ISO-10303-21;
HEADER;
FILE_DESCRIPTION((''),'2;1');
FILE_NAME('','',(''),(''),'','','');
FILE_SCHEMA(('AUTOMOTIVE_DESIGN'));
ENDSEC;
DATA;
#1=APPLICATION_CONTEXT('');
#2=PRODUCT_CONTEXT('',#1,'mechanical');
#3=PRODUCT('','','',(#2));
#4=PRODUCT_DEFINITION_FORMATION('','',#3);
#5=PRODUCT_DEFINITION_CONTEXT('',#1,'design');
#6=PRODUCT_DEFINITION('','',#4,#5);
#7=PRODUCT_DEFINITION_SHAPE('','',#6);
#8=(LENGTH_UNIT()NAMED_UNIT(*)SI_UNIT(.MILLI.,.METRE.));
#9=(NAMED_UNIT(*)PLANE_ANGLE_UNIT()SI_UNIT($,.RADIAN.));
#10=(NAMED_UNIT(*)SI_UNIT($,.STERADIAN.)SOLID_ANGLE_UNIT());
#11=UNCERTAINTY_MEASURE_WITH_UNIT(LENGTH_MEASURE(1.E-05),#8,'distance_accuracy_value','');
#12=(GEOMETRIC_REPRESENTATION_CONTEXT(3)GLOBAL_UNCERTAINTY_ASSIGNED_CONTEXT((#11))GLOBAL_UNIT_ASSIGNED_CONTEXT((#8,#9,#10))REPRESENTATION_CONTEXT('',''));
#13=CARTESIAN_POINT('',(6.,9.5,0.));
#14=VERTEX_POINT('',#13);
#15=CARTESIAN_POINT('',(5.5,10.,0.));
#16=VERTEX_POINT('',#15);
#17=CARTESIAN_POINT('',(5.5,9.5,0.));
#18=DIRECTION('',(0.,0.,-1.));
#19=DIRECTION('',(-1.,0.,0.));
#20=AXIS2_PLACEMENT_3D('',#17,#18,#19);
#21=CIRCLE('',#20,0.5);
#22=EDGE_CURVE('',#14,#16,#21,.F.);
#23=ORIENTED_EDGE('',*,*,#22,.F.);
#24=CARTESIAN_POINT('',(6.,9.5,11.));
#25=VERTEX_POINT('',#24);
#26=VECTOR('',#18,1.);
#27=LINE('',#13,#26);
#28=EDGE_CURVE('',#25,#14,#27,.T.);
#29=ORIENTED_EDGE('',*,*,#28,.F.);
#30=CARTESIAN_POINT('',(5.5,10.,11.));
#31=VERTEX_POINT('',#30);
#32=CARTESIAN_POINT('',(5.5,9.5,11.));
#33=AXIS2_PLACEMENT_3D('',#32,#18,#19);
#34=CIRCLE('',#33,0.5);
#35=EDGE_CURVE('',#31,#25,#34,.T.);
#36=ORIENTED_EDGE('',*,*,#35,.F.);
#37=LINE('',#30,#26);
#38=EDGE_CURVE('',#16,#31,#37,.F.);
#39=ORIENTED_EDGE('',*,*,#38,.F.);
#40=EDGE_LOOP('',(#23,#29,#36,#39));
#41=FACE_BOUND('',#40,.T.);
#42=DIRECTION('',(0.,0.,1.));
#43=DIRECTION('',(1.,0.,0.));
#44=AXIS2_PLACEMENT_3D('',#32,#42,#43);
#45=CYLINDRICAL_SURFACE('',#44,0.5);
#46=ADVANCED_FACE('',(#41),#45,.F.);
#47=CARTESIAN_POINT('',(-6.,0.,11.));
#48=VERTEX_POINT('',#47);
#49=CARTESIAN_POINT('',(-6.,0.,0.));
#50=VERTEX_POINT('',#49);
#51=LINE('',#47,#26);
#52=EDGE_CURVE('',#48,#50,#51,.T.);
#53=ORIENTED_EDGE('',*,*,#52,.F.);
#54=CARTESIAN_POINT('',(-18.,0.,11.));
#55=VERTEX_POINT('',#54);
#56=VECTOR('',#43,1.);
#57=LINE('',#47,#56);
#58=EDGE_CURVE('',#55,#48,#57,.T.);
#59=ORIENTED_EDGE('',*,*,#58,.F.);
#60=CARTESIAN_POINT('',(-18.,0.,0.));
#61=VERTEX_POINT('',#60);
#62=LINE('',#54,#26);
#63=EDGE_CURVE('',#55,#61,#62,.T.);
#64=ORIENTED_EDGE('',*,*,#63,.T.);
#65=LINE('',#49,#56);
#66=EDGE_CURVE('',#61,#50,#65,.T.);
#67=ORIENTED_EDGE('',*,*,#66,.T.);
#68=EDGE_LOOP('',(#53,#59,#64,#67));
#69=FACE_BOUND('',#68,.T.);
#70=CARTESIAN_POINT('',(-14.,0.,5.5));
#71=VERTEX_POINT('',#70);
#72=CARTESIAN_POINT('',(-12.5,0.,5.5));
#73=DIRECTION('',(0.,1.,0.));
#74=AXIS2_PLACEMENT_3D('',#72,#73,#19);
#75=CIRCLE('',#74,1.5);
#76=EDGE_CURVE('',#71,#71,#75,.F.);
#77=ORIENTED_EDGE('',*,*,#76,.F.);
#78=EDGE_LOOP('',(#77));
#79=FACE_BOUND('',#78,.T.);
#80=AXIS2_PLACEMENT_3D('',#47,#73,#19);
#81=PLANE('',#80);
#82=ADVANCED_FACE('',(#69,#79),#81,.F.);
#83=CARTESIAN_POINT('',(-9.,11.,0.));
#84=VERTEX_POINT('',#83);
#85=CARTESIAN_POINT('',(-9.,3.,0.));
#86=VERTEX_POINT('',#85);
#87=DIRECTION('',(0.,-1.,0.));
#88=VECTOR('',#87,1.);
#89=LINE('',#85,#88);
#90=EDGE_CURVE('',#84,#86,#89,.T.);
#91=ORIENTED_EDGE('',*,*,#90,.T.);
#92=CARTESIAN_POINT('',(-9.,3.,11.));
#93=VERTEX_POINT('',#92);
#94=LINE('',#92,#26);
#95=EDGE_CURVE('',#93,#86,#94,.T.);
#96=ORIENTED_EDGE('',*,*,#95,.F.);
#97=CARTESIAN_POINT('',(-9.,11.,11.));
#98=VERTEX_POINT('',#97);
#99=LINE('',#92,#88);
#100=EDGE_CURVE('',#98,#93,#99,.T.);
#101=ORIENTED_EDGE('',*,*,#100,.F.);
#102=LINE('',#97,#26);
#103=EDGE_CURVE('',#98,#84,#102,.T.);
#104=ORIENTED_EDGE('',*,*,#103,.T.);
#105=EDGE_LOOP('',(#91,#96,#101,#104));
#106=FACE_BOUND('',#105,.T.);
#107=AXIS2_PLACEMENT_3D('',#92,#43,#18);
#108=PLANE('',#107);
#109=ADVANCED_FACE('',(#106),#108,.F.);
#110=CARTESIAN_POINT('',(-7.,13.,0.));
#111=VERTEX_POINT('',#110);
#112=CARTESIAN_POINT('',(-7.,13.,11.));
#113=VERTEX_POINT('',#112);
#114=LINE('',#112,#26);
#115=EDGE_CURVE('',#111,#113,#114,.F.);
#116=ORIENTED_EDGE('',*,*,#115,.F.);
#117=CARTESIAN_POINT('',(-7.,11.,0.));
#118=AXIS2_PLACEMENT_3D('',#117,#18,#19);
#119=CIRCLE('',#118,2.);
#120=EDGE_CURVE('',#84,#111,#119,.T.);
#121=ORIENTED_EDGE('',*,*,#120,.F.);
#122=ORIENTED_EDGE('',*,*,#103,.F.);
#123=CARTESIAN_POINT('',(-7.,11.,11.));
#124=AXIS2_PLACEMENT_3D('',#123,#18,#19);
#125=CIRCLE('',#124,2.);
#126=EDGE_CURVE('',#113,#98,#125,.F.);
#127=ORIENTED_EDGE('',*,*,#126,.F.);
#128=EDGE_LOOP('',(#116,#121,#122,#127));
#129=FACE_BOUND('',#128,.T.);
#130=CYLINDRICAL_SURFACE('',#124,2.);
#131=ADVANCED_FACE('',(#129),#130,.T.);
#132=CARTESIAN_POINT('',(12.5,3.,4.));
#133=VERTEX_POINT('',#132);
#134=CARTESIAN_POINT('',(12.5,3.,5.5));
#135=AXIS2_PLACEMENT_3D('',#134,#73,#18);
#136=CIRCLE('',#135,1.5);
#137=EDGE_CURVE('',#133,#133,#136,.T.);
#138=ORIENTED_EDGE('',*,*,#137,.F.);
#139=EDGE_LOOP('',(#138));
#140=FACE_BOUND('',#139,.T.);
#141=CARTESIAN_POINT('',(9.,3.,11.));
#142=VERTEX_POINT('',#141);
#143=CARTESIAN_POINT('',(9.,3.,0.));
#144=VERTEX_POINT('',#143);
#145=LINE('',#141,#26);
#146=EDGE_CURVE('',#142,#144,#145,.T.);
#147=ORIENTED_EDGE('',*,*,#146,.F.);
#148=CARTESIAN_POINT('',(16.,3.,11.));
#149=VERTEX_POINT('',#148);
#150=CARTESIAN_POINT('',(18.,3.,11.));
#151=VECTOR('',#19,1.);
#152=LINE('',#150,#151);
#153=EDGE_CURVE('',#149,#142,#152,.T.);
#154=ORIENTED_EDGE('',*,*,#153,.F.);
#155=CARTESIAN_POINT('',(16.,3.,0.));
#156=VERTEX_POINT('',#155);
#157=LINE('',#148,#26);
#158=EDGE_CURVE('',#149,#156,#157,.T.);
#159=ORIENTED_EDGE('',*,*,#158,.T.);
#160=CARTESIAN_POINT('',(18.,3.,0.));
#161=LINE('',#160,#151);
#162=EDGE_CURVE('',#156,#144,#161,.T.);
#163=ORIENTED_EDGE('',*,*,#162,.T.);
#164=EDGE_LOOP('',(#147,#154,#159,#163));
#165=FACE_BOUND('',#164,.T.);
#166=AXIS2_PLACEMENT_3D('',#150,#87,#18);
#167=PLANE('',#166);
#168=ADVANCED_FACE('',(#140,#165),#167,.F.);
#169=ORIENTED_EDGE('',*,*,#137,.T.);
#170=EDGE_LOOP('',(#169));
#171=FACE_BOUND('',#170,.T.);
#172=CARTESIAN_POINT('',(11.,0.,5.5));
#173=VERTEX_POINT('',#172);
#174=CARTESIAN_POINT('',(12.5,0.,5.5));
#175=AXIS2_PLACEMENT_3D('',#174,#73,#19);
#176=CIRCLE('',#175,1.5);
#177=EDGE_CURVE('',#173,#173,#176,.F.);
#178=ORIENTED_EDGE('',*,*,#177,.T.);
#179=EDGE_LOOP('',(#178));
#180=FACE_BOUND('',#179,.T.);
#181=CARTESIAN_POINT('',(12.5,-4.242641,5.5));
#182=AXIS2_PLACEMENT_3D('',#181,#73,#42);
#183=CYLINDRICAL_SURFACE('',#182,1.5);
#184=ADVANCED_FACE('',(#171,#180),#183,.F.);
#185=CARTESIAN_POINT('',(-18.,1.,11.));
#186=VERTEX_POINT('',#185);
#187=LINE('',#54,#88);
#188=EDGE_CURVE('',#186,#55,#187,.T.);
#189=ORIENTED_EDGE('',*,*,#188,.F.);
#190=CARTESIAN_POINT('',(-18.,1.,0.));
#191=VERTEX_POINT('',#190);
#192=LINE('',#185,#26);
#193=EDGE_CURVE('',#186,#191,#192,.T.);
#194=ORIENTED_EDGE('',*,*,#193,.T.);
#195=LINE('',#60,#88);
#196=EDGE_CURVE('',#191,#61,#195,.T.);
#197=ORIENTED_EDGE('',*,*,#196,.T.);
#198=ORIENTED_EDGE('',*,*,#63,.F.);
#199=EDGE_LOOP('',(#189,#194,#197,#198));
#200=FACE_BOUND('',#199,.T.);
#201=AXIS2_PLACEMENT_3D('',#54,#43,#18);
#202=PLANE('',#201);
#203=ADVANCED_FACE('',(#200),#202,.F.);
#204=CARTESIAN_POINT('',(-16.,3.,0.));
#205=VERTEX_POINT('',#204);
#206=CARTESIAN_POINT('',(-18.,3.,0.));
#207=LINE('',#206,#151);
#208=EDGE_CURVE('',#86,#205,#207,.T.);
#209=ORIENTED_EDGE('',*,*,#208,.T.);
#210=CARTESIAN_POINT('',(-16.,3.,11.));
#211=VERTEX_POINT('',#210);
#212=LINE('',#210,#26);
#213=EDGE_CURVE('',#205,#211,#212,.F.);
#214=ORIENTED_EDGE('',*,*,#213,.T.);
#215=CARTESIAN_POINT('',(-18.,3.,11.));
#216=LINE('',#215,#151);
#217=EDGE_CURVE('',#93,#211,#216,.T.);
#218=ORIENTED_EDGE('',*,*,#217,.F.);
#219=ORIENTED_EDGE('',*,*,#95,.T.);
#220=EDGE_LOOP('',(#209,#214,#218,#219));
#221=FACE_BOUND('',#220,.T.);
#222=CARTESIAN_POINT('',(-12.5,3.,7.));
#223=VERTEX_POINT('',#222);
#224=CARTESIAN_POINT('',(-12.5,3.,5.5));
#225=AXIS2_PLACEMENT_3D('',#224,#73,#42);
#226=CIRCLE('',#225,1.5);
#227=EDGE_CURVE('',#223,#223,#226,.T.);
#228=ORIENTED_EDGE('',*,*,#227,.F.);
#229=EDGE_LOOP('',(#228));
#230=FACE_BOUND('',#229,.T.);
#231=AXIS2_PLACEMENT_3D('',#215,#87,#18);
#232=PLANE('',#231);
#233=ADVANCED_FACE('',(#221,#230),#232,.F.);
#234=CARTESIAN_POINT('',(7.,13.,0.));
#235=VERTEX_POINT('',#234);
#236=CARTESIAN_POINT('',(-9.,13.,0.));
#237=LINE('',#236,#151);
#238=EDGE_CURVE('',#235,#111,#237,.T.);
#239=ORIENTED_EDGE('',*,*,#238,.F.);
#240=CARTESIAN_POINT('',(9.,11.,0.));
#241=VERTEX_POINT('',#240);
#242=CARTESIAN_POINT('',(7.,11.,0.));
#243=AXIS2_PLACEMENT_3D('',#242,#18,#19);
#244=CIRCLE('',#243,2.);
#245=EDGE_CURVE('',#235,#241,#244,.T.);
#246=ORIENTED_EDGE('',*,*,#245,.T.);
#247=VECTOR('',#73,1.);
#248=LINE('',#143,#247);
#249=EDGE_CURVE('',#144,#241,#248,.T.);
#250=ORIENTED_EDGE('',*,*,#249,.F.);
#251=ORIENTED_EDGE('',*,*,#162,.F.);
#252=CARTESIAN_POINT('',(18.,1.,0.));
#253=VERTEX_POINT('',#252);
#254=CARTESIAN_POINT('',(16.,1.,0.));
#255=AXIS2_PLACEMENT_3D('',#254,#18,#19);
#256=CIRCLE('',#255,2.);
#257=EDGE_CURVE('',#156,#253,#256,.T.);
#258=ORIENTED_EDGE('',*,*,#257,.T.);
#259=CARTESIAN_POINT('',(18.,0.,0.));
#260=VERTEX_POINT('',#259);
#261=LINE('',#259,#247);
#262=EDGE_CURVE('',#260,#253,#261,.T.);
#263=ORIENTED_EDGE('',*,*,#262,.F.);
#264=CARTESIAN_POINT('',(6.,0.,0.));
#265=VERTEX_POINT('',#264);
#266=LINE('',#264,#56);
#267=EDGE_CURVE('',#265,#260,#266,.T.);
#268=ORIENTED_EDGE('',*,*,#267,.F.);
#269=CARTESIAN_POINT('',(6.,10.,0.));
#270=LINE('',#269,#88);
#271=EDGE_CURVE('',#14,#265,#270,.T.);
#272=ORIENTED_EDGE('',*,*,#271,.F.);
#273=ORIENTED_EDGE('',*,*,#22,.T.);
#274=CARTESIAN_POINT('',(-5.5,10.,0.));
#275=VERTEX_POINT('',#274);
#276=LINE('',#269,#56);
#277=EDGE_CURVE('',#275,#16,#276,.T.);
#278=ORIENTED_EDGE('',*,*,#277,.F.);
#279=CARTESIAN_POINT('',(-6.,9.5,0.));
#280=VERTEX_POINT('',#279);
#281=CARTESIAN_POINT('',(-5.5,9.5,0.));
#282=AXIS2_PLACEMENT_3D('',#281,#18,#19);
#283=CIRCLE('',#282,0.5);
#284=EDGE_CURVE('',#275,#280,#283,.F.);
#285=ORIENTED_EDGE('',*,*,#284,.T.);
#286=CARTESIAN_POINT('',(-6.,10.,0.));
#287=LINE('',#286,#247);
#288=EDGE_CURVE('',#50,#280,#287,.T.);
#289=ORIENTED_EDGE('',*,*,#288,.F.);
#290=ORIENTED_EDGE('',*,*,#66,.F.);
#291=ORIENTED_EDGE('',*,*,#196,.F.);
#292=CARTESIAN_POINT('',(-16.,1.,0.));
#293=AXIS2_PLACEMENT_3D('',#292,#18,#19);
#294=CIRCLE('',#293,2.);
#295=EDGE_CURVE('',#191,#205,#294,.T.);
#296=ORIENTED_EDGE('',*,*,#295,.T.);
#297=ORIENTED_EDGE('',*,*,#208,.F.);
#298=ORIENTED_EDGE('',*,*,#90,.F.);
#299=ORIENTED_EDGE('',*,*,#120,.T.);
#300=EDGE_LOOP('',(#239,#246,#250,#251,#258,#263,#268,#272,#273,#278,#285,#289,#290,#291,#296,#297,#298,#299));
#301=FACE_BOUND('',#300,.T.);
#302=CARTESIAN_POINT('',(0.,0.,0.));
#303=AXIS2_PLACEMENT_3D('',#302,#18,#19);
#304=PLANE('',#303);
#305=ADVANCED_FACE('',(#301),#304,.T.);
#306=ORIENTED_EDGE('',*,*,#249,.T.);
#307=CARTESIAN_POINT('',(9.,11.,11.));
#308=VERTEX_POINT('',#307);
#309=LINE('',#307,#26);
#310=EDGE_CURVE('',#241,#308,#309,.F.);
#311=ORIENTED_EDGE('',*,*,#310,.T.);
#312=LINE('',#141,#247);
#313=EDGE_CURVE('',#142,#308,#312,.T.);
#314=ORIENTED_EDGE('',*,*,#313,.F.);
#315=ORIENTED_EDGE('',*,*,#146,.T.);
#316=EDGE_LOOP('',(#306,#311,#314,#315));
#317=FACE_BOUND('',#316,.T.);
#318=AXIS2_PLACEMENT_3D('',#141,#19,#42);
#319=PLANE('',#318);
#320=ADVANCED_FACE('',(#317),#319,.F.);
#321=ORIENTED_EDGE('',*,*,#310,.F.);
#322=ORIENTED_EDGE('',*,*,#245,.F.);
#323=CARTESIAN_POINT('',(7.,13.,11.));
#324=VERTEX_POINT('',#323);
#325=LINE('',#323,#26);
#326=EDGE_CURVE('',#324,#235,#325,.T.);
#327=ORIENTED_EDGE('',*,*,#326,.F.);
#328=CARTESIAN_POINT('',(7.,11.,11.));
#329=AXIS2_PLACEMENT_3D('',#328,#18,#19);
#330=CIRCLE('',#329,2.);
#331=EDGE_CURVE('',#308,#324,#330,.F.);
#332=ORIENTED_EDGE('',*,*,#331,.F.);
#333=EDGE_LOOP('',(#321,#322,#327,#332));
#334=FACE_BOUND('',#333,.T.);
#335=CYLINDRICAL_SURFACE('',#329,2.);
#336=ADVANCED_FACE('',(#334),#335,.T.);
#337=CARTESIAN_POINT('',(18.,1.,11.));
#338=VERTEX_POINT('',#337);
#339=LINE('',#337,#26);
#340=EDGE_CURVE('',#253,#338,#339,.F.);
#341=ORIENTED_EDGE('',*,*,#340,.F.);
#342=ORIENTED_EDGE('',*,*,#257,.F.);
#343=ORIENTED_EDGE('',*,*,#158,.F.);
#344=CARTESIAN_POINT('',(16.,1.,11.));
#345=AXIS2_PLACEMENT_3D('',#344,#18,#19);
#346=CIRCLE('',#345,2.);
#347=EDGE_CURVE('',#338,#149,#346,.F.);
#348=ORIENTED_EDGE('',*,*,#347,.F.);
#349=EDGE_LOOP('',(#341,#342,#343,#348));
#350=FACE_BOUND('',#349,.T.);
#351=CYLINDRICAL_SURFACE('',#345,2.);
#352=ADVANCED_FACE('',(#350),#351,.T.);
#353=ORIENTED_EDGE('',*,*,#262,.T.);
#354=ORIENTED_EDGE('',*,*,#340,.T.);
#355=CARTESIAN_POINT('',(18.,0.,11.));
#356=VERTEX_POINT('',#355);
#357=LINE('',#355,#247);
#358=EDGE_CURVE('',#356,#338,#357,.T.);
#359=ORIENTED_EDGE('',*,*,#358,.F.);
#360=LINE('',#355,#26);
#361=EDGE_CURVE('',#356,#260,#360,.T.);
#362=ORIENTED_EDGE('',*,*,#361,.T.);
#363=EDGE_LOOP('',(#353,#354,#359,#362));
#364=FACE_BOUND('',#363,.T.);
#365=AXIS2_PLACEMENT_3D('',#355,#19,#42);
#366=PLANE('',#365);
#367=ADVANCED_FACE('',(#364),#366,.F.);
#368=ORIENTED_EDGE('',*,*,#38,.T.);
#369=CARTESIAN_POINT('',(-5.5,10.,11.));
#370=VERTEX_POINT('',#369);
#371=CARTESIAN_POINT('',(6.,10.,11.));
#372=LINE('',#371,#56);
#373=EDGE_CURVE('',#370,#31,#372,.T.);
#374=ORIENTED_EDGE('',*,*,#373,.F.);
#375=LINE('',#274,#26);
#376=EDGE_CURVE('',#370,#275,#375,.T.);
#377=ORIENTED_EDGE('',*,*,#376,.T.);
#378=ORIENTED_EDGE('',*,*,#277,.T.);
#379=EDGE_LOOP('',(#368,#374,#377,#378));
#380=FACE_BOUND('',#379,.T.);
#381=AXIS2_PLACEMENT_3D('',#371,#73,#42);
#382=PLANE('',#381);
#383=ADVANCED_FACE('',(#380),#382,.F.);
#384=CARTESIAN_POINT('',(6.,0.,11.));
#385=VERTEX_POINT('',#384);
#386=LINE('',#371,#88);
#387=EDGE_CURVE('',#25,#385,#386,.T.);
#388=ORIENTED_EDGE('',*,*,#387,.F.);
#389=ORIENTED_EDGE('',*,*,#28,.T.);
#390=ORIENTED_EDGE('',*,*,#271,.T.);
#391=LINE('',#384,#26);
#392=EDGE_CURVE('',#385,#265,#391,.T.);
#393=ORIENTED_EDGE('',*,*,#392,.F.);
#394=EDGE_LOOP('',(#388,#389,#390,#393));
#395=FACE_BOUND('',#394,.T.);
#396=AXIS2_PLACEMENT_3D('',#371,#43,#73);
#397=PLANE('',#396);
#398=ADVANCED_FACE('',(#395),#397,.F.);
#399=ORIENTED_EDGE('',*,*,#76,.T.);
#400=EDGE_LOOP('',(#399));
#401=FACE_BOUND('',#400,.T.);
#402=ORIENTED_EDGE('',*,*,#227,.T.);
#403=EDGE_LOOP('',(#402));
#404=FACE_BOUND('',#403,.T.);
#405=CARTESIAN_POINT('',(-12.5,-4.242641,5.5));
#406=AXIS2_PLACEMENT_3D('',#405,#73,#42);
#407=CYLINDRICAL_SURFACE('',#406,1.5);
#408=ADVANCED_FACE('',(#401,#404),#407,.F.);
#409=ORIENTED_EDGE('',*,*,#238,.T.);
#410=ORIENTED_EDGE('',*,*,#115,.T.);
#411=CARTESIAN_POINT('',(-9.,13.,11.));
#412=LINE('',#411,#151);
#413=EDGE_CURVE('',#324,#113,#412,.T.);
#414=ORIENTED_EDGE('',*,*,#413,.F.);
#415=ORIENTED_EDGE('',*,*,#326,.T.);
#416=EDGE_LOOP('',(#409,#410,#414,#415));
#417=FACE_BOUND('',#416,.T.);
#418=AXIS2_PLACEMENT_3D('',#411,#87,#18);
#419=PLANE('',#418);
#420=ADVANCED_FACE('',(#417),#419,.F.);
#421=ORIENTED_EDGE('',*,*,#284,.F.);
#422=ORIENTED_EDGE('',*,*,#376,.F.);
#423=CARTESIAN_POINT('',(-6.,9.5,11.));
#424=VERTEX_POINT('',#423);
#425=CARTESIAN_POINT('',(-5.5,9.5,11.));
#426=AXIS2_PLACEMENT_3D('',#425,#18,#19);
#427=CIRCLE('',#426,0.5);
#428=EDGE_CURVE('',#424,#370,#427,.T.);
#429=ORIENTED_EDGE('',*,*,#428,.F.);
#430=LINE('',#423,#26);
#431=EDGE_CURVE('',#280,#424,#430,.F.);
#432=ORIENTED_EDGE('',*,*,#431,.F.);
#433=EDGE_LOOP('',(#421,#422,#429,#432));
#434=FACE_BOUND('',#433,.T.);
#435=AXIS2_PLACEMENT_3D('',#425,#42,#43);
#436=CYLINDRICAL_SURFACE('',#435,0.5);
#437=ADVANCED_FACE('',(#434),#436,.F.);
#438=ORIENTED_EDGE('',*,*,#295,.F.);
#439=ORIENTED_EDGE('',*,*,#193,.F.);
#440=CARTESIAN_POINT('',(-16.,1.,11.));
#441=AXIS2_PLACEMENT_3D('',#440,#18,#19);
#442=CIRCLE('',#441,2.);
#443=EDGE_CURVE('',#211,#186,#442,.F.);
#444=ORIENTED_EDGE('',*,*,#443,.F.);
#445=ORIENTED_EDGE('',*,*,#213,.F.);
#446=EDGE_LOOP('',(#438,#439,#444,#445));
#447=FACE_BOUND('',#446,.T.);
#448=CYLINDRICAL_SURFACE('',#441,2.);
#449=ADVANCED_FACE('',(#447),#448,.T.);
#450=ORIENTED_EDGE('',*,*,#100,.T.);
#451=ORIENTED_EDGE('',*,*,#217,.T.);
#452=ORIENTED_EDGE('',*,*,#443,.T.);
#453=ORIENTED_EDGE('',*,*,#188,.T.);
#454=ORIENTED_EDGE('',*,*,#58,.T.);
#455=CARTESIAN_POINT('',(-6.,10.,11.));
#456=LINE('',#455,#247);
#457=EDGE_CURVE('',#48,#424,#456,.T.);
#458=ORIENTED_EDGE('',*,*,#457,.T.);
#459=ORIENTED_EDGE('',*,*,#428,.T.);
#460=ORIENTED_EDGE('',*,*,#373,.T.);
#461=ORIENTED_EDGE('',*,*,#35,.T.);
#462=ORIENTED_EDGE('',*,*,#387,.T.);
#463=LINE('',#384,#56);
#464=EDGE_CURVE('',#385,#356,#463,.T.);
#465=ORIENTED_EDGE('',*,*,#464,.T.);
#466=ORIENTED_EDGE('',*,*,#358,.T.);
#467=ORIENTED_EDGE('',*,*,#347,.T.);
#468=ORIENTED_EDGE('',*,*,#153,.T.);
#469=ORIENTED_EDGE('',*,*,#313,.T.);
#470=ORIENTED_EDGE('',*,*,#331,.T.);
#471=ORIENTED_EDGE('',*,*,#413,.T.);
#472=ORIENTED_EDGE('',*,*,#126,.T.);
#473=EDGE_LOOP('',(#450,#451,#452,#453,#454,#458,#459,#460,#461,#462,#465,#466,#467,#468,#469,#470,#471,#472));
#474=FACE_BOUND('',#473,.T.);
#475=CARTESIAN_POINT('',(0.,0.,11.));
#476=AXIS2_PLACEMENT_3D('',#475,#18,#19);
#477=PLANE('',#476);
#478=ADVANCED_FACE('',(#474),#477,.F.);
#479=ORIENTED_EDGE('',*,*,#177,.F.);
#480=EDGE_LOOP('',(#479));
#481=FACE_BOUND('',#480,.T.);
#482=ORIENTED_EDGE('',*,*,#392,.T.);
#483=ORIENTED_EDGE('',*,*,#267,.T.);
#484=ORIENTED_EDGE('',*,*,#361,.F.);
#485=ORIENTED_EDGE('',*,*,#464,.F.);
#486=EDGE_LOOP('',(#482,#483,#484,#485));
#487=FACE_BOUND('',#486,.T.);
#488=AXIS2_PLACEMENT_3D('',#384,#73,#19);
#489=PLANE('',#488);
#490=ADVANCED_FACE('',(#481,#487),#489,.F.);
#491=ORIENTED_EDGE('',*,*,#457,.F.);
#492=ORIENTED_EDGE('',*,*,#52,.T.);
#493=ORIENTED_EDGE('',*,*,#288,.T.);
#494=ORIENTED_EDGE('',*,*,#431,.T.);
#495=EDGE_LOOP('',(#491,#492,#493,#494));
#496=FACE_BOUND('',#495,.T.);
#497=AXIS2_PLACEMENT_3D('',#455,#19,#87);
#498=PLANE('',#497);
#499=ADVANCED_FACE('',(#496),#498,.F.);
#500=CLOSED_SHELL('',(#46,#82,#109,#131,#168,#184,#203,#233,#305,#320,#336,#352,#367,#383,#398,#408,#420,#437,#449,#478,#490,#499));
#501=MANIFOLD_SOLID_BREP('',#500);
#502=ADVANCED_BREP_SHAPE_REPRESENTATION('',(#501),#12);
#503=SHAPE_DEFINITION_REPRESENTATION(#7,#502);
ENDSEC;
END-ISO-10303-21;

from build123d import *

# Parameters (mm, degrees)
BOSS_EXTRUDE1_DEPTH = 11
FILLET1_R           = 2
FILLET2_R           = 0.5
SKETCH2_R           = 1.5
CUT_EXTRUDE1_DEPTH  = 3


with BuildPart() as part:
    # Sketch1 → Boss-Extrude1 (new body)
    with BuildSketch(Plane.XY):
        Polygon((6, 10), (-6, 10), (-6, 0), (-18, 0), (-18, 3), (-9, 3), (-9, 13), (9, 13), (9, 3), (18, 3), (18, 0), (6, 0), align=None)
    extrude(amount=BOSS_EXTRUDE1_DEPTH)

    # Fillet1
    fillet1_edges = [part.edges().sort_by_distance(p)[0] for p in [
        (-18, 3, 5.5),
        (-9, 13, 5.5),
        (9, 13, 5.5),
        (18, 3, 5.5),
    ]]
    fillet(fillet1_edges, radius=FILLET1_R)

    # Fillet2
    fillet2_edges = [part.edges().sort_by_distance(p)[0] for p in [
        (6, 10, 5.5),
        (-6, 10, 5.5),
    ]]
    fillet(fillet2_edges, radius=FILLET2_R)

    # Sketch2 → Cut-Extrude1 (cut)
    with BuildSketch(Plane(origin=(0, 3, 0), x_dir=(1, 0, 0), z_dir=(0, 1, 0))):
        with Locations(Location((-12.5, -5.5, 0), (0, 0, 270))):
            Circle(SKETCH2_R)
        with Locations(Location((12.5, -5.5, 0), (0, 0, 180))):
            Circle(SKETCH2_R)
    extrude(amount=-CUT_EXTRUDE1_DEPTH, mode=Mode.SUBTRACT)


solid = part.part
